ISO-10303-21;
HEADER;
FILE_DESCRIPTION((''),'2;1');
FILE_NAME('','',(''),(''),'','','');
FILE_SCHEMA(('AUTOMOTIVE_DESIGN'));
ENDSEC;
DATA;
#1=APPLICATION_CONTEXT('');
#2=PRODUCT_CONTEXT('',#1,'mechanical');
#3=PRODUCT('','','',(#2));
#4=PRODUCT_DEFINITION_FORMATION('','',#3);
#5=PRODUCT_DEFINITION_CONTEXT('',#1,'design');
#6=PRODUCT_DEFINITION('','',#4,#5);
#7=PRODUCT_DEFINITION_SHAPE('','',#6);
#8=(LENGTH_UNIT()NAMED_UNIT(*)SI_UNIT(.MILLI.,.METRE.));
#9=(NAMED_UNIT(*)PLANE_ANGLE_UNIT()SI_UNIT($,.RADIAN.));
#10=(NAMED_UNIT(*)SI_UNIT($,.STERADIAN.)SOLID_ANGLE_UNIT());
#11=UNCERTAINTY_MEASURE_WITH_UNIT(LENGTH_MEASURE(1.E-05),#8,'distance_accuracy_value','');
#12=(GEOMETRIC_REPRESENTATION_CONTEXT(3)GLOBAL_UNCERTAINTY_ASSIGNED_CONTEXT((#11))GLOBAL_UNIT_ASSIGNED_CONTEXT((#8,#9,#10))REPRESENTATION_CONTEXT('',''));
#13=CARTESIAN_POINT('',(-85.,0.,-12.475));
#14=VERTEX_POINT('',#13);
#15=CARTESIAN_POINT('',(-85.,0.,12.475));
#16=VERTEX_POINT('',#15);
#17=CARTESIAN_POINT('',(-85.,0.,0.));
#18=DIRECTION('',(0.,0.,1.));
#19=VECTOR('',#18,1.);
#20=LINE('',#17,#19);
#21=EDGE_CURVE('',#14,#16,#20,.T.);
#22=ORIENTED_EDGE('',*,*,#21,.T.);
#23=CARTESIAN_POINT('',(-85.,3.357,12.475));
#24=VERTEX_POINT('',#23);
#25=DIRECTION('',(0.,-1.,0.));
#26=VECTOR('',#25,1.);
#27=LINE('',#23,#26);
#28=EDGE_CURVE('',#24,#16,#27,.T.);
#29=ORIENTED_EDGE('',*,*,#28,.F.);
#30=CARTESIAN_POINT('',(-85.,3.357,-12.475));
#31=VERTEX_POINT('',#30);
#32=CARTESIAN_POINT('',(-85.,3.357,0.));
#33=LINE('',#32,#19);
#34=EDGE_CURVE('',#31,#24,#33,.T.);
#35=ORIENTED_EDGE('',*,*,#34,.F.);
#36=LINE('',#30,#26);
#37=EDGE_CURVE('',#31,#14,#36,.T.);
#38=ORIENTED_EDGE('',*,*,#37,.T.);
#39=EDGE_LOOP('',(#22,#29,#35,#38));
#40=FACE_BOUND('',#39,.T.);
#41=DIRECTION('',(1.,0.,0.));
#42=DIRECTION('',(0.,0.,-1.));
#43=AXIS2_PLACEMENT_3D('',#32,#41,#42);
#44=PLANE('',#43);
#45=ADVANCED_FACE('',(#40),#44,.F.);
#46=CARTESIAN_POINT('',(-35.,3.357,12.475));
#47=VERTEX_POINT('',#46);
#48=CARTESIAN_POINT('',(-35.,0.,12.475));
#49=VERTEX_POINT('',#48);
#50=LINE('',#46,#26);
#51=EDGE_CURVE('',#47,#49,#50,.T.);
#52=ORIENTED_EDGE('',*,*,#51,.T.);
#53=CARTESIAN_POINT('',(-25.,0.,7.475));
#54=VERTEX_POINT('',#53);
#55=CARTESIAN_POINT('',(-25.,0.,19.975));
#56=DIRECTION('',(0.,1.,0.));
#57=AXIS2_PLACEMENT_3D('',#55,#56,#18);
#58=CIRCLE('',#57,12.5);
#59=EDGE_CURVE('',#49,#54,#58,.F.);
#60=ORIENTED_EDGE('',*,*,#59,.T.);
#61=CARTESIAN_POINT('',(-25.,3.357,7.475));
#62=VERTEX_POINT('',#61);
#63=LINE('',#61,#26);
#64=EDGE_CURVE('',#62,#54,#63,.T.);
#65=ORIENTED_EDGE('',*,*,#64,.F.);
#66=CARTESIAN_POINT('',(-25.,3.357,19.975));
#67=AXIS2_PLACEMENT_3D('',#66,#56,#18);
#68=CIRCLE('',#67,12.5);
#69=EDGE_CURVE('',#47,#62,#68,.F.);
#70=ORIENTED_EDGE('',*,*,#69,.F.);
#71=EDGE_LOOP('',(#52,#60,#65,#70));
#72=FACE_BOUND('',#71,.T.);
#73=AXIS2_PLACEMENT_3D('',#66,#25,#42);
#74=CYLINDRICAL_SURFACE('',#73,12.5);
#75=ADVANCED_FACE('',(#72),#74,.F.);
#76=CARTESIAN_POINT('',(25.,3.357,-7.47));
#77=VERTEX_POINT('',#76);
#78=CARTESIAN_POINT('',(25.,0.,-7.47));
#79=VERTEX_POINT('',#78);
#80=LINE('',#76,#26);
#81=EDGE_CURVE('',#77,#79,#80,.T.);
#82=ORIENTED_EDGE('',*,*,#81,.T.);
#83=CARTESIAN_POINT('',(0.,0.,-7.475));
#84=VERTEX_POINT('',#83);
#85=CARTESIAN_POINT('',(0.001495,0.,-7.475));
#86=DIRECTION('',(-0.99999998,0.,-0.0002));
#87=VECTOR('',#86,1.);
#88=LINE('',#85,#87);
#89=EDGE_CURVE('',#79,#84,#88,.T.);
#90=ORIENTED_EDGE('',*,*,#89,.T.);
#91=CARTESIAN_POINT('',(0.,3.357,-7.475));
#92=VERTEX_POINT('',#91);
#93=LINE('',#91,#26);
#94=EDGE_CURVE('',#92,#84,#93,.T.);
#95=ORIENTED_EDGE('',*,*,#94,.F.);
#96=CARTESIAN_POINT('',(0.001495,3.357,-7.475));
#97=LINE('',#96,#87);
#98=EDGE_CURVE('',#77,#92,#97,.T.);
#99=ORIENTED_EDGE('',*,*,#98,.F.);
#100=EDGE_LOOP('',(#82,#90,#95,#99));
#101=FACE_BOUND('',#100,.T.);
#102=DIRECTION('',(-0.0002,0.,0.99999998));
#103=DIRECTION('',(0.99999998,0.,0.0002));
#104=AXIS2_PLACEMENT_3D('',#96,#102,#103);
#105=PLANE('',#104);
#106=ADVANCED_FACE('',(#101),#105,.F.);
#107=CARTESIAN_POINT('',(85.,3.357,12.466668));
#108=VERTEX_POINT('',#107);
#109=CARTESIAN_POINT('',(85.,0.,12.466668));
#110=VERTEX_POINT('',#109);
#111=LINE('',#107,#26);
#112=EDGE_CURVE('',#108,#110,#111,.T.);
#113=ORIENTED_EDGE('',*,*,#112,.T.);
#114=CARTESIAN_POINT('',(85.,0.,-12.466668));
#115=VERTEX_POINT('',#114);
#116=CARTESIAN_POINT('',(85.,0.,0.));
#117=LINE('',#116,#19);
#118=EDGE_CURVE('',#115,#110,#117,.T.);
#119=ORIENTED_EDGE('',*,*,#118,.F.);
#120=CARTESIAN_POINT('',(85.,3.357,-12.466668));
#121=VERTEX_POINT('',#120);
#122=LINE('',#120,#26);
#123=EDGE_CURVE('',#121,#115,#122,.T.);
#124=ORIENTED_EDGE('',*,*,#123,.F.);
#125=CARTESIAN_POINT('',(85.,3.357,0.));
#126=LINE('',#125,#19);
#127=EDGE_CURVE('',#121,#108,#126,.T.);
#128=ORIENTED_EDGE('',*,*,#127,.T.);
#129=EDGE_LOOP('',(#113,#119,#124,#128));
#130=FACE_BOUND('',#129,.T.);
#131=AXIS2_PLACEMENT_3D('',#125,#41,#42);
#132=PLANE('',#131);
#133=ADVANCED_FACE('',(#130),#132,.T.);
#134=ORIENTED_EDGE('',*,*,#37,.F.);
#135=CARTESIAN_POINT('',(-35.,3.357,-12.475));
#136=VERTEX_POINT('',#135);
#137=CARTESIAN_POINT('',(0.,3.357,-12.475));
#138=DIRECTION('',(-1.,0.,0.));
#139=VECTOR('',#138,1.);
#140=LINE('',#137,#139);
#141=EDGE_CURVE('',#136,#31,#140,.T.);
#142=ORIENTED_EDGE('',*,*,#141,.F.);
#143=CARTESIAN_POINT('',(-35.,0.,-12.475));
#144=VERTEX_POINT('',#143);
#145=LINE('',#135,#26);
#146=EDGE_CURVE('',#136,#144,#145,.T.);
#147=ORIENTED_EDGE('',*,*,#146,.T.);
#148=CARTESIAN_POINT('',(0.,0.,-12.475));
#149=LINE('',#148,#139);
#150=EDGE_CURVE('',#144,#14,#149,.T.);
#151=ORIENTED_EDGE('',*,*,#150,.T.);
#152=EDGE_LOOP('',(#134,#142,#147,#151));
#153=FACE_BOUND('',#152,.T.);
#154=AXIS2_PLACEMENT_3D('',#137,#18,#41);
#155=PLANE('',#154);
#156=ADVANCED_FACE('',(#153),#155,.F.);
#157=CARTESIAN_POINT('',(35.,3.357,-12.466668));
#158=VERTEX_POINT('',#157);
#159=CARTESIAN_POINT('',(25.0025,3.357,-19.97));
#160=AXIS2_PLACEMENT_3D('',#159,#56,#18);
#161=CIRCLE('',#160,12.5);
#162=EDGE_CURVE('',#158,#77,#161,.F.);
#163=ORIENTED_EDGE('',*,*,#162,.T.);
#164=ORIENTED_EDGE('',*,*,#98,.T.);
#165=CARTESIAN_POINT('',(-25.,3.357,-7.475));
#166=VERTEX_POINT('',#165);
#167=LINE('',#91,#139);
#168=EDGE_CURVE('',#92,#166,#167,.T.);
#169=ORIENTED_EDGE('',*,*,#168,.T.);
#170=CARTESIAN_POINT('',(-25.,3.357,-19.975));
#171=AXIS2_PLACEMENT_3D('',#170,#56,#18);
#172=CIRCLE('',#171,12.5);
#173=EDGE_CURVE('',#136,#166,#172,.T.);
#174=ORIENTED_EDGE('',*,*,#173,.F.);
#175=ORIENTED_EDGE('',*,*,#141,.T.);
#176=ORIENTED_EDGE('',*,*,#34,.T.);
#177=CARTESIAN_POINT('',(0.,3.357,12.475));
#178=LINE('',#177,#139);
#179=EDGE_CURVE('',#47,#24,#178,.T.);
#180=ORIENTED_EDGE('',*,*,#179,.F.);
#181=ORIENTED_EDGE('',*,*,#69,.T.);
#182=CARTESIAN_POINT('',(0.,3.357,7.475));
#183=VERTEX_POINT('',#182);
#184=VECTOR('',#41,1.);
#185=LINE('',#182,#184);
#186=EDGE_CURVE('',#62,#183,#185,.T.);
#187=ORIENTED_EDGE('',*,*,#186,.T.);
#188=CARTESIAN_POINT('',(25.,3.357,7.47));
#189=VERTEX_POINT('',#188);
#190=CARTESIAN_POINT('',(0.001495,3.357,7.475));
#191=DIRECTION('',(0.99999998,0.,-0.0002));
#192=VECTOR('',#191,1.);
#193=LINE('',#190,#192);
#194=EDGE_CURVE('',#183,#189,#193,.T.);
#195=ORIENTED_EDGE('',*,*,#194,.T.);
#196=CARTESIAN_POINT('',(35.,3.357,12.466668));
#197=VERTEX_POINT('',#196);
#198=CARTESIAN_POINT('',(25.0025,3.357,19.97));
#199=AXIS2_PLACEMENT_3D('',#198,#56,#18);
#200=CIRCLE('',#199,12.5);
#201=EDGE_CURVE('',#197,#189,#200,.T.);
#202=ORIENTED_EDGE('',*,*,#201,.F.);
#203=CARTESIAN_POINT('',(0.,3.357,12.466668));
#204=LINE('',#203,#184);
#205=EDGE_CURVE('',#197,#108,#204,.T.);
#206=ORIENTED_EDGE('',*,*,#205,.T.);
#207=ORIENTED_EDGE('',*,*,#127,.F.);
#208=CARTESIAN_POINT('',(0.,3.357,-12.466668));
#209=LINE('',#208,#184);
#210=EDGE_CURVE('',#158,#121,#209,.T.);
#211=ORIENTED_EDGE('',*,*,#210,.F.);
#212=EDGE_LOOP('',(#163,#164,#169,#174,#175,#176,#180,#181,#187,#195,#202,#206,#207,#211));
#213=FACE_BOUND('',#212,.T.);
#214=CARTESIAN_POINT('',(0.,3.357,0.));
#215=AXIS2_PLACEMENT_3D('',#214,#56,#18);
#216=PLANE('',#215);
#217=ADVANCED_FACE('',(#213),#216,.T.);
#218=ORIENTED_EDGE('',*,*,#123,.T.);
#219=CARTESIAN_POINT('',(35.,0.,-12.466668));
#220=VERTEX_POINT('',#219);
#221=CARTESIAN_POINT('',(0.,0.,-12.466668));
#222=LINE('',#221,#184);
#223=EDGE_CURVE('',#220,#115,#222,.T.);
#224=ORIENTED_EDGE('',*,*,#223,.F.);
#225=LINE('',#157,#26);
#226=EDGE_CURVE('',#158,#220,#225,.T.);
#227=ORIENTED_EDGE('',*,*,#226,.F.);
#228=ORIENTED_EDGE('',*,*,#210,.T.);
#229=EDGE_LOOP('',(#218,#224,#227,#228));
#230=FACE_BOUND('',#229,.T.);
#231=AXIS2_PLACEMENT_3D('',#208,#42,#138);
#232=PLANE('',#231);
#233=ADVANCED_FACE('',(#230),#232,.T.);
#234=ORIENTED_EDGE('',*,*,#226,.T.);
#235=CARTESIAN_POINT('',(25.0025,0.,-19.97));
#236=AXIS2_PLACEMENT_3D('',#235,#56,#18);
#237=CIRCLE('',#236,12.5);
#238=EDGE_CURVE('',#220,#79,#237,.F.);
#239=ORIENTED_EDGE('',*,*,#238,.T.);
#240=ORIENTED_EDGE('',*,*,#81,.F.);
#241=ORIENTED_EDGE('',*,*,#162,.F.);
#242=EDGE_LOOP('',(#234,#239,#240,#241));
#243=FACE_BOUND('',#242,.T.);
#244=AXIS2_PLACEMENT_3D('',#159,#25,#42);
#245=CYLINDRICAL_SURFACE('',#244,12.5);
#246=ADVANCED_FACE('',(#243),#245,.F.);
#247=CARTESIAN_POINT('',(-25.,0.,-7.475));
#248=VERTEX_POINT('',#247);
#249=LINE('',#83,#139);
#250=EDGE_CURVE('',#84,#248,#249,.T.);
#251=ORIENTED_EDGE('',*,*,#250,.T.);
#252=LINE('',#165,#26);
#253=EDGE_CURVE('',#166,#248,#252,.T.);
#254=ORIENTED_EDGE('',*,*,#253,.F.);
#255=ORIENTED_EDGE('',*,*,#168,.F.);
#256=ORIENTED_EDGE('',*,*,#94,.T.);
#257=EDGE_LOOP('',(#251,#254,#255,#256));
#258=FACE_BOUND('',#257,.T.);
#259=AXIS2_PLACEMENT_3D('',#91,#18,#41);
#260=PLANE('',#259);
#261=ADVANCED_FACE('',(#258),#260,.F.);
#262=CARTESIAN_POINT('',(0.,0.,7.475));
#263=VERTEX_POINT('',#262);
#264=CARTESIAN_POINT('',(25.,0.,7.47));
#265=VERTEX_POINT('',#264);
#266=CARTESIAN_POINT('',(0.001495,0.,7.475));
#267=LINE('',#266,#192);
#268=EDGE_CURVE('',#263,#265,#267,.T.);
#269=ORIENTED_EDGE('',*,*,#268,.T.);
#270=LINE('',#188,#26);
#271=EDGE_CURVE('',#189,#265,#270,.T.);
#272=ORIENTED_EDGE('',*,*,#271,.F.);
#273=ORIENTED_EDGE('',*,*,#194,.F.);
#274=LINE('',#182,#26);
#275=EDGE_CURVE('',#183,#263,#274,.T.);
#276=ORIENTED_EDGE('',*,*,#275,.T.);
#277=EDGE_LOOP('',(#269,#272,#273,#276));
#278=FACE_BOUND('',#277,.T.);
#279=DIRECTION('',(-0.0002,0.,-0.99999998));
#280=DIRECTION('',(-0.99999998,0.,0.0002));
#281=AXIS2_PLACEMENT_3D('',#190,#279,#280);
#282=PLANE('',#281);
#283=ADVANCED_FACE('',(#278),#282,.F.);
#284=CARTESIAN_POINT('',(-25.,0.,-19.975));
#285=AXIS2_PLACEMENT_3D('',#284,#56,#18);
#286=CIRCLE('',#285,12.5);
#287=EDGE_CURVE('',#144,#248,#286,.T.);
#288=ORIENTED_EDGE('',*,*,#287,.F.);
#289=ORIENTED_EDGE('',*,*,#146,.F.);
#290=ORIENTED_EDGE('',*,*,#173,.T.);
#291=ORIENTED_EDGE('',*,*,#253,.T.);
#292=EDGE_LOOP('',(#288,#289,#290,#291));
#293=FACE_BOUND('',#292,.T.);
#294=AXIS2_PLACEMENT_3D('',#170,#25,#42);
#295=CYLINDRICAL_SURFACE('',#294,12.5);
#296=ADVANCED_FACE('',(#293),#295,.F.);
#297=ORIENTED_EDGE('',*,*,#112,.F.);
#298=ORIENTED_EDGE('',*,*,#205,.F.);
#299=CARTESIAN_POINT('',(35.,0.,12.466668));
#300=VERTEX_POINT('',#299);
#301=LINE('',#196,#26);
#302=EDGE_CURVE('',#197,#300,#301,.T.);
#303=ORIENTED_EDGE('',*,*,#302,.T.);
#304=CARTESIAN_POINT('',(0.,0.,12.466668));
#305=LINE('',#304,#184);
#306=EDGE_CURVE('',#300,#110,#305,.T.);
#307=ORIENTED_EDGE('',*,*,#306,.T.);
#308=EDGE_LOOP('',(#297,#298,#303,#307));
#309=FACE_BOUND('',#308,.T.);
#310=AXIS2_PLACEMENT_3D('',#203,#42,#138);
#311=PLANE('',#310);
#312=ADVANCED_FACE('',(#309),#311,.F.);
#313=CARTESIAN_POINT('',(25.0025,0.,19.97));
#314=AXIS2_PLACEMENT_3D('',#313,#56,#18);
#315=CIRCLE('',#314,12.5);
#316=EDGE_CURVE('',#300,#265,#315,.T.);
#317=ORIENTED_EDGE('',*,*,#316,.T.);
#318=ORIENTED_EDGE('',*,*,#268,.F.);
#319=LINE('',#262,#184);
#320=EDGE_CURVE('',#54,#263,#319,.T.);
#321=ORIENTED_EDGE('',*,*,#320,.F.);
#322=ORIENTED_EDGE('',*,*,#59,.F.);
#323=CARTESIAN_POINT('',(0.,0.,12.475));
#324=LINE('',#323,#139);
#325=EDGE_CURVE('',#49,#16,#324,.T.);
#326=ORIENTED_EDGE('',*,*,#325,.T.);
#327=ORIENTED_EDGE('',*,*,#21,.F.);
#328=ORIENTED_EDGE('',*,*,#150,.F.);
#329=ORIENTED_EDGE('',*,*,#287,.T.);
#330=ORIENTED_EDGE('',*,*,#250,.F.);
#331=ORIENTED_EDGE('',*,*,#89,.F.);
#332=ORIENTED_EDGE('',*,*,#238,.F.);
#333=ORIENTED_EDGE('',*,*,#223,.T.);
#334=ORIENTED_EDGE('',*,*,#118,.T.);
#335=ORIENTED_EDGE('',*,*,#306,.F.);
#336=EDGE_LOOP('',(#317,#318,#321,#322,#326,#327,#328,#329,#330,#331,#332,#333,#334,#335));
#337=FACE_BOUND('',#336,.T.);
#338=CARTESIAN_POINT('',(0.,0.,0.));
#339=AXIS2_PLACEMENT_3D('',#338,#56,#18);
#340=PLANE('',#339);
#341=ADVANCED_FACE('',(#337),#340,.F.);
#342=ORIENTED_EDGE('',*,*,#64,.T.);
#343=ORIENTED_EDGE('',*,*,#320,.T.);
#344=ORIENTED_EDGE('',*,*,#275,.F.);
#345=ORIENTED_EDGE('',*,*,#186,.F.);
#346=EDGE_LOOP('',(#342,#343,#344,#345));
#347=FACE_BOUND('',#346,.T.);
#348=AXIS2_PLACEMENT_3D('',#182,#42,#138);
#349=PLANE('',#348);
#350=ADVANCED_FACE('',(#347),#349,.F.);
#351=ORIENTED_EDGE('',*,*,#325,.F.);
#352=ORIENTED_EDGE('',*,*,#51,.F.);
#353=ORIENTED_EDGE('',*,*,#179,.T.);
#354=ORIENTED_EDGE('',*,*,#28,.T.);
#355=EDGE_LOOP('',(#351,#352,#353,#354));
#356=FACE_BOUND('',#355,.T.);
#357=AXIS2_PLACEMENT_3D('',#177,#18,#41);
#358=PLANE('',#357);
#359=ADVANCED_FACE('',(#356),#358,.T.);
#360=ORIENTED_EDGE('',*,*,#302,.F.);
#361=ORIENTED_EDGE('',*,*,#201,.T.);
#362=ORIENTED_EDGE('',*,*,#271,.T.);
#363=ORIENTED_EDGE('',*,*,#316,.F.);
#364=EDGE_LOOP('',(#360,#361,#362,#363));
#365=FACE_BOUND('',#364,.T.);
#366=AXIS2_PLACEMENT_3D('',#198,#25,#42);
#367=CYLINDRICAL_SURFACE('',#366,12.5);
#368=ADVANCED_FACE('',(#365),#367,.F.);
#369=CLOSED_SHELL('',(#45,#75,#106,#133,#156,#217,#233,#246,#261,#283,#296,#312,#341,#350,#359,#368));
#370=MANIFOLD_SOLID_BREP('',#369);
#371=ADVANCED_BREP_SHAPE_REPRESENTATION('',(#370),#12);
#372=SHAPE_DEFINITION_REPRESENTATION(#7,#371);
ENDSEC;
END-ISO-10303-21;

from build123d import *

# Parameters (mm, degrees)
BOSS_EXTRUDE2_DEPTH = 3.357


with BuildPart() as part:
    # Sketch1 → Boss-Extrude2 (new body)
    with BuildSketch(Plane(origin=(0, 0, 0), x_dir=(1, 0, 0), z_dir=(0, 1, 0))):
        with BuildLine():
            Line((35, 12.466667574), (85, 12.466667574))
            Line((85, 12.466667574), (85, -12.466667574))
            Line((85, -12.466667574), (35, -12.466667574))
            ThreePointArc((35, -12.466667574), (30.589688735, -8.788169755), (25, -7.47))
            Line((25, -7.47), (0, -7.475))
            Line((0, -7.475), (-25, -7.475))
            ThreePointArc((-25, -7.475), (-30.590169944, -8.794660113), (-35, -12.475))
            Line((-35, -12.475), (-85, -12.475))
            Line((-85, -12.475), (-85, 12.475))
            Line((-85, 12.475), (-35, 12.475))
            ThreePointArc((-35, 12.475), (-30.590169944, 8.794660113), (-25, 7.475))
            Line((-25, 7.475), (0, 7.475))
            Line((0, 7.475), (25, 7.47))
            ThreePointArc((25, 7.47), (30.589688735, 8.788169755), (35, 12.466667574))
        make_face()
    extrude(amount=BOSS_EXTRUDE2_DEPTH)


solid = part.part
